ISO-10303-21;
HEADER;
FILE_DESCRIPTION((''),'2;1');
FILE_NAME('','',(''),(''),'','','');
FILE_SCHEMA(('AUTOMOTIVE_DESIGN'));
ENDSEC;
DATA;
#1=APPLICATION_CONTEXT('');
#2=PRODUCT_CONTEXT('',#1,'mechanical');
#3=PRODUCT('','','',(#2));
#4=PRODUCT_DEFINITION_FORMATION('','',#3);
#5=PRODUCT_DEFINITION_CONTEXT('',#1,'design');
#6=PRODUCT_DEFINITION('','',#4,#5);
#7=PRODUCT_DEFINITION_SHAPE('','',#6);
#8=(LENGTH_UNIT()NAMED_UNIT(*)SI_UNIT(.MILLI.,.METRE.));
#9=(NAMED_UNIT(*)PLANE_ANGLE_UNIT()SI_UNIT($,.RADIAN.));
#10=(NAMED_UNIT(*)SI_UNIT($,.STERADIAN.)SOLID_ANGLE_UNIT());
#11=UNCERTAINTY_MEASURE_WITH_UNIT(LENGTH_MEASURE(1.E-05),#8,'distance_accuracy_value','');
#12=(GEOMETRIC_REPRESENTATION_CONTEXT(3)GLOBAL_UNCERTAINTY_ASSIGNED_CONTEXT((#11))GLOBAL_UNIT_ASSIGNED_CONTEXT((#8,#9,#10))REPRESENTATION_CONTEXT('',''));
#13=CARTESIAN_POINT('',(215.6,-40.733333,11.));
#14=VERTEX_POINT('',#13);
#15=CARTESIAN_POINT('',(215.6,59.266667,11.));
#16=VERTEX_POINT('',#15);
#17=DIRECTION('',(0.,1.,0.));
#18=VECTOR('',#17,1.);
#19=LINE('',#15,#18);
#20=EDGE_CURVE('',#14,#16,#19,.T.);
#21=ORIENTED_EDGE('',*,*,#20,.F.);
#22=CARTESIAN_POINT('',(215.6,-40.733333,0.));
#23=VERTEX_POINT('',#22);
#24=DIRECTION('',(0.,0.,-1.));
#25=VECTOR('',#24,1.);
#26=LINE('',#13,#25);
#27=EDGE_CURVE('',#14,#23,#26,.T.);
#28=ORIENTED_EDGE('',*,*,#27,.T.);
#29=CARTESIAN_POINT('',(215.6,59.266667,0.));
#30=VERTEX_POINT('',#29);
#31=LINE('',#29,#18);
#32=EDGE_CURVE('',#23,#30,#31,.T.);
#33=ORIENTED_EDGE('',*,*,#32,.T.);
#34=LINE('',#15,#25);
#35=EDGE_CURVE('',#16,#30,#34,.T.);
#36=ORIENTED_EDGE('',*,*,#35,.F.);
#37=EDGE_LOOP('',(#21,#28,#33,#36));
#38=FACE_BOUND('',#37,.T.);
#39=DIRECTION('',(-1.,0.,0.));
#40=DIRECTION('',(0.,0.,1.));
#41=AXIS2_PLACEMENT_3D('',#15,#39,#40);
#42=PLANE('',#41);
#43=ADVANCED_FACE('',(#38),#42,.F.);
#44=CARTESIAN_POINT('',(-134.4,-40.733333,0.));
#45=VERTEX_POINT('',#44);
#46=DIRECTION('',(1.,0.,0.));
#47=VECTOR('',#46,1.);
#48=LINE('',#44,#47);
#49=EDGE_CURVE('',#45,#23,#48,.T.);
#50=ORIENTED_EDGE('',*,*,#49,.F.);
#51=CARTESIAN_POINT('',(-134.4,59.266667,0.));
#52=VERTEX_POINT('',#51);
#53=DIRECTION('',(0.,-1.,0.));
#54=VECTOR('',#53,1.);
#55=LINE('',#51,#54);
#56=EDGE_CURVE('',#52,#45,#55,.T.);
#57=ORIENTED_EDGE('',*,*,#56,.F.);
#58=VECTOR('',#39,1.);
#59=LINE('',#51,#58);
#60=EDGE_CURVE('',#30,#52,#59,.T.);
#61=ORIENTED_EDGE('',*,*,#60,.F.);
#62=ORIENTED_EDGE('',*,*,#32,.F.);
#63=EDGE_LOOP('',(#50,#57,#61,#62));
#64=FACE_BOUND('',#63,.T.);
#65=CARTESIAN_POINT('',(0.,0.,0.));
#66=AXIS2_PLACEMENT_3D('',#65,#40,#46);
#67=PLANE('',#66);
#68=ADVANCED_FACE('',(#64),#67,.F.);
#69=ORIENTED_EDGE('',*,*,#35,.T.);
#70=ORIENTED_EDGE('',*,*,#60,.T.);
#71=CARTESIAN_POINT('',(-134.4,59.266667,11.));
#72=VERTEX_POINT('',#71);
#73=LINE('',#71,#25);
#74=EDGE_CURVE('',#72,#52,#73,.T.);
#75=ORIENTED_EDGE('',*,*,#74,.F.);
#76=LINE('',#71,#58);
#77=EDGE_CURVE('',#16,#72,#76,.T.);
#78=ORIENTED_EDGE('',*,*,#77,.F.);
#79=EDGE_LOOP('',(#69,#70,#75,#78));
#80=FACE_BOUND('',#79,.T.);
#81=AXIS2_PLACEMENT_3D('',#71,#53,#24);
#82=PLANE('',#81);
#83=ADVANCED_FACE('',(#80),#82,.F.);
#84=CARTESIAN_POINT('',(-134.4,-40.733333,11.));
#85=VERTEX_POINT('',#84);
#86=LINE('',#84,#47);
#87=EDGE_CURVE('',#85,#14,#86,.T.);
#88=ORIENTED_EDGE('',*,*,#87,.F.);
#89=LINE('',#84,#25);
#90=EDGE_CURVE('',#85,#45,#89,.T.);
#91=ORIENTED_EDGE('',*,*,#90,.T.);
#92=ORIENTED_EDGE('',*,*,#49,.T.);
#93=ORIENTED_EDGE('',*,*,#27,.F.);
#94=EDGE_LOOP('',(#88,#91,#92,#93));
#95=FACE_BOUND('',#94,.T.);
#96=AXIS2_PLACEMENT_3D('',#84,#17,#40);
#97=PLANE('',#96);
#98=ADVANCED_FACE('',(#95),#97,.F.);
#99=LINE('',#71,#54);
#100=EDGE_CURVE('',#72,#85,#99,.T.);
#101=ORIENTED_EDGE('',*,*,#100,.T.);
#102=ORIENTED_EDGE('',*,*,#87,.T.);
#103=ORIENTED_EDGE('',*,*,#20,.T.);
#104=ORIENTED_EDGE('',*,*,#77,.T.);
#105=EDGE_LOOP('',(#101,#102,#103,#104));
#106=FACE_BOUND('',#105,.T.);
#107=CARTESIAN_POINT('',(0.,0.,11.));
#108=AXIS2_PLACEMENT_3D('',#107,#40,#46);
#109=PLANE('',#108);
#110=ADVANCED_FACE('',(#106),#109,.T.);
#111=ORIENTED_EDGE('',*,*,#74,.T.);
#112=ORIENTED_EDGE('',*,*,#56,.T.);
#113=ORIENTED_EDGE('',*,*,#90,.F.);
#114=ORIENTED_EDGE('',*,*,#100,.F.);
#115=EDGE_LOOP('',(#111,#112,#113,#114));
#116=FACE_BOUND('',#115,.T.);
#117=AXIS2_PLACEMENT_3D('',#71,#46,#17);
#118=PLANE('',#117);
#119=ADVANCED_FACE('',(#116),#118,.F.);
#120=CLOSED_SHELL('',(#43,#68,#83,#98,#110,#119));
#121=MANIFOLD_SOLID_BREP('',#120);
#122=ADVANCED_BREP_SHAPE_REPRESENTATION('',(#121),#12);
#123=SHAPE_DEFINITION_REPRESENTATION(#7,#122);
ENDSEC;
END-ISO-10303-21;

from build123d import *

# Parameters (mm, degrees)
SKETCH2_W           = 350
SKETCH2_H           = 100
BOSS_EXTRUDE1_DEPTH = 11


with BuildPart() as part:
    # Sketch2 → Boss-Extrude1 (new body)
    with BuildSketch(Plane.XY):
        with Locations((40.6, 9.266666667)):
            Rectangle(SKETCH2_W, SKETCH2_H)
    extrude(amount=BOSS_EXTRUDE1_DEPTH)


solid = part.part
